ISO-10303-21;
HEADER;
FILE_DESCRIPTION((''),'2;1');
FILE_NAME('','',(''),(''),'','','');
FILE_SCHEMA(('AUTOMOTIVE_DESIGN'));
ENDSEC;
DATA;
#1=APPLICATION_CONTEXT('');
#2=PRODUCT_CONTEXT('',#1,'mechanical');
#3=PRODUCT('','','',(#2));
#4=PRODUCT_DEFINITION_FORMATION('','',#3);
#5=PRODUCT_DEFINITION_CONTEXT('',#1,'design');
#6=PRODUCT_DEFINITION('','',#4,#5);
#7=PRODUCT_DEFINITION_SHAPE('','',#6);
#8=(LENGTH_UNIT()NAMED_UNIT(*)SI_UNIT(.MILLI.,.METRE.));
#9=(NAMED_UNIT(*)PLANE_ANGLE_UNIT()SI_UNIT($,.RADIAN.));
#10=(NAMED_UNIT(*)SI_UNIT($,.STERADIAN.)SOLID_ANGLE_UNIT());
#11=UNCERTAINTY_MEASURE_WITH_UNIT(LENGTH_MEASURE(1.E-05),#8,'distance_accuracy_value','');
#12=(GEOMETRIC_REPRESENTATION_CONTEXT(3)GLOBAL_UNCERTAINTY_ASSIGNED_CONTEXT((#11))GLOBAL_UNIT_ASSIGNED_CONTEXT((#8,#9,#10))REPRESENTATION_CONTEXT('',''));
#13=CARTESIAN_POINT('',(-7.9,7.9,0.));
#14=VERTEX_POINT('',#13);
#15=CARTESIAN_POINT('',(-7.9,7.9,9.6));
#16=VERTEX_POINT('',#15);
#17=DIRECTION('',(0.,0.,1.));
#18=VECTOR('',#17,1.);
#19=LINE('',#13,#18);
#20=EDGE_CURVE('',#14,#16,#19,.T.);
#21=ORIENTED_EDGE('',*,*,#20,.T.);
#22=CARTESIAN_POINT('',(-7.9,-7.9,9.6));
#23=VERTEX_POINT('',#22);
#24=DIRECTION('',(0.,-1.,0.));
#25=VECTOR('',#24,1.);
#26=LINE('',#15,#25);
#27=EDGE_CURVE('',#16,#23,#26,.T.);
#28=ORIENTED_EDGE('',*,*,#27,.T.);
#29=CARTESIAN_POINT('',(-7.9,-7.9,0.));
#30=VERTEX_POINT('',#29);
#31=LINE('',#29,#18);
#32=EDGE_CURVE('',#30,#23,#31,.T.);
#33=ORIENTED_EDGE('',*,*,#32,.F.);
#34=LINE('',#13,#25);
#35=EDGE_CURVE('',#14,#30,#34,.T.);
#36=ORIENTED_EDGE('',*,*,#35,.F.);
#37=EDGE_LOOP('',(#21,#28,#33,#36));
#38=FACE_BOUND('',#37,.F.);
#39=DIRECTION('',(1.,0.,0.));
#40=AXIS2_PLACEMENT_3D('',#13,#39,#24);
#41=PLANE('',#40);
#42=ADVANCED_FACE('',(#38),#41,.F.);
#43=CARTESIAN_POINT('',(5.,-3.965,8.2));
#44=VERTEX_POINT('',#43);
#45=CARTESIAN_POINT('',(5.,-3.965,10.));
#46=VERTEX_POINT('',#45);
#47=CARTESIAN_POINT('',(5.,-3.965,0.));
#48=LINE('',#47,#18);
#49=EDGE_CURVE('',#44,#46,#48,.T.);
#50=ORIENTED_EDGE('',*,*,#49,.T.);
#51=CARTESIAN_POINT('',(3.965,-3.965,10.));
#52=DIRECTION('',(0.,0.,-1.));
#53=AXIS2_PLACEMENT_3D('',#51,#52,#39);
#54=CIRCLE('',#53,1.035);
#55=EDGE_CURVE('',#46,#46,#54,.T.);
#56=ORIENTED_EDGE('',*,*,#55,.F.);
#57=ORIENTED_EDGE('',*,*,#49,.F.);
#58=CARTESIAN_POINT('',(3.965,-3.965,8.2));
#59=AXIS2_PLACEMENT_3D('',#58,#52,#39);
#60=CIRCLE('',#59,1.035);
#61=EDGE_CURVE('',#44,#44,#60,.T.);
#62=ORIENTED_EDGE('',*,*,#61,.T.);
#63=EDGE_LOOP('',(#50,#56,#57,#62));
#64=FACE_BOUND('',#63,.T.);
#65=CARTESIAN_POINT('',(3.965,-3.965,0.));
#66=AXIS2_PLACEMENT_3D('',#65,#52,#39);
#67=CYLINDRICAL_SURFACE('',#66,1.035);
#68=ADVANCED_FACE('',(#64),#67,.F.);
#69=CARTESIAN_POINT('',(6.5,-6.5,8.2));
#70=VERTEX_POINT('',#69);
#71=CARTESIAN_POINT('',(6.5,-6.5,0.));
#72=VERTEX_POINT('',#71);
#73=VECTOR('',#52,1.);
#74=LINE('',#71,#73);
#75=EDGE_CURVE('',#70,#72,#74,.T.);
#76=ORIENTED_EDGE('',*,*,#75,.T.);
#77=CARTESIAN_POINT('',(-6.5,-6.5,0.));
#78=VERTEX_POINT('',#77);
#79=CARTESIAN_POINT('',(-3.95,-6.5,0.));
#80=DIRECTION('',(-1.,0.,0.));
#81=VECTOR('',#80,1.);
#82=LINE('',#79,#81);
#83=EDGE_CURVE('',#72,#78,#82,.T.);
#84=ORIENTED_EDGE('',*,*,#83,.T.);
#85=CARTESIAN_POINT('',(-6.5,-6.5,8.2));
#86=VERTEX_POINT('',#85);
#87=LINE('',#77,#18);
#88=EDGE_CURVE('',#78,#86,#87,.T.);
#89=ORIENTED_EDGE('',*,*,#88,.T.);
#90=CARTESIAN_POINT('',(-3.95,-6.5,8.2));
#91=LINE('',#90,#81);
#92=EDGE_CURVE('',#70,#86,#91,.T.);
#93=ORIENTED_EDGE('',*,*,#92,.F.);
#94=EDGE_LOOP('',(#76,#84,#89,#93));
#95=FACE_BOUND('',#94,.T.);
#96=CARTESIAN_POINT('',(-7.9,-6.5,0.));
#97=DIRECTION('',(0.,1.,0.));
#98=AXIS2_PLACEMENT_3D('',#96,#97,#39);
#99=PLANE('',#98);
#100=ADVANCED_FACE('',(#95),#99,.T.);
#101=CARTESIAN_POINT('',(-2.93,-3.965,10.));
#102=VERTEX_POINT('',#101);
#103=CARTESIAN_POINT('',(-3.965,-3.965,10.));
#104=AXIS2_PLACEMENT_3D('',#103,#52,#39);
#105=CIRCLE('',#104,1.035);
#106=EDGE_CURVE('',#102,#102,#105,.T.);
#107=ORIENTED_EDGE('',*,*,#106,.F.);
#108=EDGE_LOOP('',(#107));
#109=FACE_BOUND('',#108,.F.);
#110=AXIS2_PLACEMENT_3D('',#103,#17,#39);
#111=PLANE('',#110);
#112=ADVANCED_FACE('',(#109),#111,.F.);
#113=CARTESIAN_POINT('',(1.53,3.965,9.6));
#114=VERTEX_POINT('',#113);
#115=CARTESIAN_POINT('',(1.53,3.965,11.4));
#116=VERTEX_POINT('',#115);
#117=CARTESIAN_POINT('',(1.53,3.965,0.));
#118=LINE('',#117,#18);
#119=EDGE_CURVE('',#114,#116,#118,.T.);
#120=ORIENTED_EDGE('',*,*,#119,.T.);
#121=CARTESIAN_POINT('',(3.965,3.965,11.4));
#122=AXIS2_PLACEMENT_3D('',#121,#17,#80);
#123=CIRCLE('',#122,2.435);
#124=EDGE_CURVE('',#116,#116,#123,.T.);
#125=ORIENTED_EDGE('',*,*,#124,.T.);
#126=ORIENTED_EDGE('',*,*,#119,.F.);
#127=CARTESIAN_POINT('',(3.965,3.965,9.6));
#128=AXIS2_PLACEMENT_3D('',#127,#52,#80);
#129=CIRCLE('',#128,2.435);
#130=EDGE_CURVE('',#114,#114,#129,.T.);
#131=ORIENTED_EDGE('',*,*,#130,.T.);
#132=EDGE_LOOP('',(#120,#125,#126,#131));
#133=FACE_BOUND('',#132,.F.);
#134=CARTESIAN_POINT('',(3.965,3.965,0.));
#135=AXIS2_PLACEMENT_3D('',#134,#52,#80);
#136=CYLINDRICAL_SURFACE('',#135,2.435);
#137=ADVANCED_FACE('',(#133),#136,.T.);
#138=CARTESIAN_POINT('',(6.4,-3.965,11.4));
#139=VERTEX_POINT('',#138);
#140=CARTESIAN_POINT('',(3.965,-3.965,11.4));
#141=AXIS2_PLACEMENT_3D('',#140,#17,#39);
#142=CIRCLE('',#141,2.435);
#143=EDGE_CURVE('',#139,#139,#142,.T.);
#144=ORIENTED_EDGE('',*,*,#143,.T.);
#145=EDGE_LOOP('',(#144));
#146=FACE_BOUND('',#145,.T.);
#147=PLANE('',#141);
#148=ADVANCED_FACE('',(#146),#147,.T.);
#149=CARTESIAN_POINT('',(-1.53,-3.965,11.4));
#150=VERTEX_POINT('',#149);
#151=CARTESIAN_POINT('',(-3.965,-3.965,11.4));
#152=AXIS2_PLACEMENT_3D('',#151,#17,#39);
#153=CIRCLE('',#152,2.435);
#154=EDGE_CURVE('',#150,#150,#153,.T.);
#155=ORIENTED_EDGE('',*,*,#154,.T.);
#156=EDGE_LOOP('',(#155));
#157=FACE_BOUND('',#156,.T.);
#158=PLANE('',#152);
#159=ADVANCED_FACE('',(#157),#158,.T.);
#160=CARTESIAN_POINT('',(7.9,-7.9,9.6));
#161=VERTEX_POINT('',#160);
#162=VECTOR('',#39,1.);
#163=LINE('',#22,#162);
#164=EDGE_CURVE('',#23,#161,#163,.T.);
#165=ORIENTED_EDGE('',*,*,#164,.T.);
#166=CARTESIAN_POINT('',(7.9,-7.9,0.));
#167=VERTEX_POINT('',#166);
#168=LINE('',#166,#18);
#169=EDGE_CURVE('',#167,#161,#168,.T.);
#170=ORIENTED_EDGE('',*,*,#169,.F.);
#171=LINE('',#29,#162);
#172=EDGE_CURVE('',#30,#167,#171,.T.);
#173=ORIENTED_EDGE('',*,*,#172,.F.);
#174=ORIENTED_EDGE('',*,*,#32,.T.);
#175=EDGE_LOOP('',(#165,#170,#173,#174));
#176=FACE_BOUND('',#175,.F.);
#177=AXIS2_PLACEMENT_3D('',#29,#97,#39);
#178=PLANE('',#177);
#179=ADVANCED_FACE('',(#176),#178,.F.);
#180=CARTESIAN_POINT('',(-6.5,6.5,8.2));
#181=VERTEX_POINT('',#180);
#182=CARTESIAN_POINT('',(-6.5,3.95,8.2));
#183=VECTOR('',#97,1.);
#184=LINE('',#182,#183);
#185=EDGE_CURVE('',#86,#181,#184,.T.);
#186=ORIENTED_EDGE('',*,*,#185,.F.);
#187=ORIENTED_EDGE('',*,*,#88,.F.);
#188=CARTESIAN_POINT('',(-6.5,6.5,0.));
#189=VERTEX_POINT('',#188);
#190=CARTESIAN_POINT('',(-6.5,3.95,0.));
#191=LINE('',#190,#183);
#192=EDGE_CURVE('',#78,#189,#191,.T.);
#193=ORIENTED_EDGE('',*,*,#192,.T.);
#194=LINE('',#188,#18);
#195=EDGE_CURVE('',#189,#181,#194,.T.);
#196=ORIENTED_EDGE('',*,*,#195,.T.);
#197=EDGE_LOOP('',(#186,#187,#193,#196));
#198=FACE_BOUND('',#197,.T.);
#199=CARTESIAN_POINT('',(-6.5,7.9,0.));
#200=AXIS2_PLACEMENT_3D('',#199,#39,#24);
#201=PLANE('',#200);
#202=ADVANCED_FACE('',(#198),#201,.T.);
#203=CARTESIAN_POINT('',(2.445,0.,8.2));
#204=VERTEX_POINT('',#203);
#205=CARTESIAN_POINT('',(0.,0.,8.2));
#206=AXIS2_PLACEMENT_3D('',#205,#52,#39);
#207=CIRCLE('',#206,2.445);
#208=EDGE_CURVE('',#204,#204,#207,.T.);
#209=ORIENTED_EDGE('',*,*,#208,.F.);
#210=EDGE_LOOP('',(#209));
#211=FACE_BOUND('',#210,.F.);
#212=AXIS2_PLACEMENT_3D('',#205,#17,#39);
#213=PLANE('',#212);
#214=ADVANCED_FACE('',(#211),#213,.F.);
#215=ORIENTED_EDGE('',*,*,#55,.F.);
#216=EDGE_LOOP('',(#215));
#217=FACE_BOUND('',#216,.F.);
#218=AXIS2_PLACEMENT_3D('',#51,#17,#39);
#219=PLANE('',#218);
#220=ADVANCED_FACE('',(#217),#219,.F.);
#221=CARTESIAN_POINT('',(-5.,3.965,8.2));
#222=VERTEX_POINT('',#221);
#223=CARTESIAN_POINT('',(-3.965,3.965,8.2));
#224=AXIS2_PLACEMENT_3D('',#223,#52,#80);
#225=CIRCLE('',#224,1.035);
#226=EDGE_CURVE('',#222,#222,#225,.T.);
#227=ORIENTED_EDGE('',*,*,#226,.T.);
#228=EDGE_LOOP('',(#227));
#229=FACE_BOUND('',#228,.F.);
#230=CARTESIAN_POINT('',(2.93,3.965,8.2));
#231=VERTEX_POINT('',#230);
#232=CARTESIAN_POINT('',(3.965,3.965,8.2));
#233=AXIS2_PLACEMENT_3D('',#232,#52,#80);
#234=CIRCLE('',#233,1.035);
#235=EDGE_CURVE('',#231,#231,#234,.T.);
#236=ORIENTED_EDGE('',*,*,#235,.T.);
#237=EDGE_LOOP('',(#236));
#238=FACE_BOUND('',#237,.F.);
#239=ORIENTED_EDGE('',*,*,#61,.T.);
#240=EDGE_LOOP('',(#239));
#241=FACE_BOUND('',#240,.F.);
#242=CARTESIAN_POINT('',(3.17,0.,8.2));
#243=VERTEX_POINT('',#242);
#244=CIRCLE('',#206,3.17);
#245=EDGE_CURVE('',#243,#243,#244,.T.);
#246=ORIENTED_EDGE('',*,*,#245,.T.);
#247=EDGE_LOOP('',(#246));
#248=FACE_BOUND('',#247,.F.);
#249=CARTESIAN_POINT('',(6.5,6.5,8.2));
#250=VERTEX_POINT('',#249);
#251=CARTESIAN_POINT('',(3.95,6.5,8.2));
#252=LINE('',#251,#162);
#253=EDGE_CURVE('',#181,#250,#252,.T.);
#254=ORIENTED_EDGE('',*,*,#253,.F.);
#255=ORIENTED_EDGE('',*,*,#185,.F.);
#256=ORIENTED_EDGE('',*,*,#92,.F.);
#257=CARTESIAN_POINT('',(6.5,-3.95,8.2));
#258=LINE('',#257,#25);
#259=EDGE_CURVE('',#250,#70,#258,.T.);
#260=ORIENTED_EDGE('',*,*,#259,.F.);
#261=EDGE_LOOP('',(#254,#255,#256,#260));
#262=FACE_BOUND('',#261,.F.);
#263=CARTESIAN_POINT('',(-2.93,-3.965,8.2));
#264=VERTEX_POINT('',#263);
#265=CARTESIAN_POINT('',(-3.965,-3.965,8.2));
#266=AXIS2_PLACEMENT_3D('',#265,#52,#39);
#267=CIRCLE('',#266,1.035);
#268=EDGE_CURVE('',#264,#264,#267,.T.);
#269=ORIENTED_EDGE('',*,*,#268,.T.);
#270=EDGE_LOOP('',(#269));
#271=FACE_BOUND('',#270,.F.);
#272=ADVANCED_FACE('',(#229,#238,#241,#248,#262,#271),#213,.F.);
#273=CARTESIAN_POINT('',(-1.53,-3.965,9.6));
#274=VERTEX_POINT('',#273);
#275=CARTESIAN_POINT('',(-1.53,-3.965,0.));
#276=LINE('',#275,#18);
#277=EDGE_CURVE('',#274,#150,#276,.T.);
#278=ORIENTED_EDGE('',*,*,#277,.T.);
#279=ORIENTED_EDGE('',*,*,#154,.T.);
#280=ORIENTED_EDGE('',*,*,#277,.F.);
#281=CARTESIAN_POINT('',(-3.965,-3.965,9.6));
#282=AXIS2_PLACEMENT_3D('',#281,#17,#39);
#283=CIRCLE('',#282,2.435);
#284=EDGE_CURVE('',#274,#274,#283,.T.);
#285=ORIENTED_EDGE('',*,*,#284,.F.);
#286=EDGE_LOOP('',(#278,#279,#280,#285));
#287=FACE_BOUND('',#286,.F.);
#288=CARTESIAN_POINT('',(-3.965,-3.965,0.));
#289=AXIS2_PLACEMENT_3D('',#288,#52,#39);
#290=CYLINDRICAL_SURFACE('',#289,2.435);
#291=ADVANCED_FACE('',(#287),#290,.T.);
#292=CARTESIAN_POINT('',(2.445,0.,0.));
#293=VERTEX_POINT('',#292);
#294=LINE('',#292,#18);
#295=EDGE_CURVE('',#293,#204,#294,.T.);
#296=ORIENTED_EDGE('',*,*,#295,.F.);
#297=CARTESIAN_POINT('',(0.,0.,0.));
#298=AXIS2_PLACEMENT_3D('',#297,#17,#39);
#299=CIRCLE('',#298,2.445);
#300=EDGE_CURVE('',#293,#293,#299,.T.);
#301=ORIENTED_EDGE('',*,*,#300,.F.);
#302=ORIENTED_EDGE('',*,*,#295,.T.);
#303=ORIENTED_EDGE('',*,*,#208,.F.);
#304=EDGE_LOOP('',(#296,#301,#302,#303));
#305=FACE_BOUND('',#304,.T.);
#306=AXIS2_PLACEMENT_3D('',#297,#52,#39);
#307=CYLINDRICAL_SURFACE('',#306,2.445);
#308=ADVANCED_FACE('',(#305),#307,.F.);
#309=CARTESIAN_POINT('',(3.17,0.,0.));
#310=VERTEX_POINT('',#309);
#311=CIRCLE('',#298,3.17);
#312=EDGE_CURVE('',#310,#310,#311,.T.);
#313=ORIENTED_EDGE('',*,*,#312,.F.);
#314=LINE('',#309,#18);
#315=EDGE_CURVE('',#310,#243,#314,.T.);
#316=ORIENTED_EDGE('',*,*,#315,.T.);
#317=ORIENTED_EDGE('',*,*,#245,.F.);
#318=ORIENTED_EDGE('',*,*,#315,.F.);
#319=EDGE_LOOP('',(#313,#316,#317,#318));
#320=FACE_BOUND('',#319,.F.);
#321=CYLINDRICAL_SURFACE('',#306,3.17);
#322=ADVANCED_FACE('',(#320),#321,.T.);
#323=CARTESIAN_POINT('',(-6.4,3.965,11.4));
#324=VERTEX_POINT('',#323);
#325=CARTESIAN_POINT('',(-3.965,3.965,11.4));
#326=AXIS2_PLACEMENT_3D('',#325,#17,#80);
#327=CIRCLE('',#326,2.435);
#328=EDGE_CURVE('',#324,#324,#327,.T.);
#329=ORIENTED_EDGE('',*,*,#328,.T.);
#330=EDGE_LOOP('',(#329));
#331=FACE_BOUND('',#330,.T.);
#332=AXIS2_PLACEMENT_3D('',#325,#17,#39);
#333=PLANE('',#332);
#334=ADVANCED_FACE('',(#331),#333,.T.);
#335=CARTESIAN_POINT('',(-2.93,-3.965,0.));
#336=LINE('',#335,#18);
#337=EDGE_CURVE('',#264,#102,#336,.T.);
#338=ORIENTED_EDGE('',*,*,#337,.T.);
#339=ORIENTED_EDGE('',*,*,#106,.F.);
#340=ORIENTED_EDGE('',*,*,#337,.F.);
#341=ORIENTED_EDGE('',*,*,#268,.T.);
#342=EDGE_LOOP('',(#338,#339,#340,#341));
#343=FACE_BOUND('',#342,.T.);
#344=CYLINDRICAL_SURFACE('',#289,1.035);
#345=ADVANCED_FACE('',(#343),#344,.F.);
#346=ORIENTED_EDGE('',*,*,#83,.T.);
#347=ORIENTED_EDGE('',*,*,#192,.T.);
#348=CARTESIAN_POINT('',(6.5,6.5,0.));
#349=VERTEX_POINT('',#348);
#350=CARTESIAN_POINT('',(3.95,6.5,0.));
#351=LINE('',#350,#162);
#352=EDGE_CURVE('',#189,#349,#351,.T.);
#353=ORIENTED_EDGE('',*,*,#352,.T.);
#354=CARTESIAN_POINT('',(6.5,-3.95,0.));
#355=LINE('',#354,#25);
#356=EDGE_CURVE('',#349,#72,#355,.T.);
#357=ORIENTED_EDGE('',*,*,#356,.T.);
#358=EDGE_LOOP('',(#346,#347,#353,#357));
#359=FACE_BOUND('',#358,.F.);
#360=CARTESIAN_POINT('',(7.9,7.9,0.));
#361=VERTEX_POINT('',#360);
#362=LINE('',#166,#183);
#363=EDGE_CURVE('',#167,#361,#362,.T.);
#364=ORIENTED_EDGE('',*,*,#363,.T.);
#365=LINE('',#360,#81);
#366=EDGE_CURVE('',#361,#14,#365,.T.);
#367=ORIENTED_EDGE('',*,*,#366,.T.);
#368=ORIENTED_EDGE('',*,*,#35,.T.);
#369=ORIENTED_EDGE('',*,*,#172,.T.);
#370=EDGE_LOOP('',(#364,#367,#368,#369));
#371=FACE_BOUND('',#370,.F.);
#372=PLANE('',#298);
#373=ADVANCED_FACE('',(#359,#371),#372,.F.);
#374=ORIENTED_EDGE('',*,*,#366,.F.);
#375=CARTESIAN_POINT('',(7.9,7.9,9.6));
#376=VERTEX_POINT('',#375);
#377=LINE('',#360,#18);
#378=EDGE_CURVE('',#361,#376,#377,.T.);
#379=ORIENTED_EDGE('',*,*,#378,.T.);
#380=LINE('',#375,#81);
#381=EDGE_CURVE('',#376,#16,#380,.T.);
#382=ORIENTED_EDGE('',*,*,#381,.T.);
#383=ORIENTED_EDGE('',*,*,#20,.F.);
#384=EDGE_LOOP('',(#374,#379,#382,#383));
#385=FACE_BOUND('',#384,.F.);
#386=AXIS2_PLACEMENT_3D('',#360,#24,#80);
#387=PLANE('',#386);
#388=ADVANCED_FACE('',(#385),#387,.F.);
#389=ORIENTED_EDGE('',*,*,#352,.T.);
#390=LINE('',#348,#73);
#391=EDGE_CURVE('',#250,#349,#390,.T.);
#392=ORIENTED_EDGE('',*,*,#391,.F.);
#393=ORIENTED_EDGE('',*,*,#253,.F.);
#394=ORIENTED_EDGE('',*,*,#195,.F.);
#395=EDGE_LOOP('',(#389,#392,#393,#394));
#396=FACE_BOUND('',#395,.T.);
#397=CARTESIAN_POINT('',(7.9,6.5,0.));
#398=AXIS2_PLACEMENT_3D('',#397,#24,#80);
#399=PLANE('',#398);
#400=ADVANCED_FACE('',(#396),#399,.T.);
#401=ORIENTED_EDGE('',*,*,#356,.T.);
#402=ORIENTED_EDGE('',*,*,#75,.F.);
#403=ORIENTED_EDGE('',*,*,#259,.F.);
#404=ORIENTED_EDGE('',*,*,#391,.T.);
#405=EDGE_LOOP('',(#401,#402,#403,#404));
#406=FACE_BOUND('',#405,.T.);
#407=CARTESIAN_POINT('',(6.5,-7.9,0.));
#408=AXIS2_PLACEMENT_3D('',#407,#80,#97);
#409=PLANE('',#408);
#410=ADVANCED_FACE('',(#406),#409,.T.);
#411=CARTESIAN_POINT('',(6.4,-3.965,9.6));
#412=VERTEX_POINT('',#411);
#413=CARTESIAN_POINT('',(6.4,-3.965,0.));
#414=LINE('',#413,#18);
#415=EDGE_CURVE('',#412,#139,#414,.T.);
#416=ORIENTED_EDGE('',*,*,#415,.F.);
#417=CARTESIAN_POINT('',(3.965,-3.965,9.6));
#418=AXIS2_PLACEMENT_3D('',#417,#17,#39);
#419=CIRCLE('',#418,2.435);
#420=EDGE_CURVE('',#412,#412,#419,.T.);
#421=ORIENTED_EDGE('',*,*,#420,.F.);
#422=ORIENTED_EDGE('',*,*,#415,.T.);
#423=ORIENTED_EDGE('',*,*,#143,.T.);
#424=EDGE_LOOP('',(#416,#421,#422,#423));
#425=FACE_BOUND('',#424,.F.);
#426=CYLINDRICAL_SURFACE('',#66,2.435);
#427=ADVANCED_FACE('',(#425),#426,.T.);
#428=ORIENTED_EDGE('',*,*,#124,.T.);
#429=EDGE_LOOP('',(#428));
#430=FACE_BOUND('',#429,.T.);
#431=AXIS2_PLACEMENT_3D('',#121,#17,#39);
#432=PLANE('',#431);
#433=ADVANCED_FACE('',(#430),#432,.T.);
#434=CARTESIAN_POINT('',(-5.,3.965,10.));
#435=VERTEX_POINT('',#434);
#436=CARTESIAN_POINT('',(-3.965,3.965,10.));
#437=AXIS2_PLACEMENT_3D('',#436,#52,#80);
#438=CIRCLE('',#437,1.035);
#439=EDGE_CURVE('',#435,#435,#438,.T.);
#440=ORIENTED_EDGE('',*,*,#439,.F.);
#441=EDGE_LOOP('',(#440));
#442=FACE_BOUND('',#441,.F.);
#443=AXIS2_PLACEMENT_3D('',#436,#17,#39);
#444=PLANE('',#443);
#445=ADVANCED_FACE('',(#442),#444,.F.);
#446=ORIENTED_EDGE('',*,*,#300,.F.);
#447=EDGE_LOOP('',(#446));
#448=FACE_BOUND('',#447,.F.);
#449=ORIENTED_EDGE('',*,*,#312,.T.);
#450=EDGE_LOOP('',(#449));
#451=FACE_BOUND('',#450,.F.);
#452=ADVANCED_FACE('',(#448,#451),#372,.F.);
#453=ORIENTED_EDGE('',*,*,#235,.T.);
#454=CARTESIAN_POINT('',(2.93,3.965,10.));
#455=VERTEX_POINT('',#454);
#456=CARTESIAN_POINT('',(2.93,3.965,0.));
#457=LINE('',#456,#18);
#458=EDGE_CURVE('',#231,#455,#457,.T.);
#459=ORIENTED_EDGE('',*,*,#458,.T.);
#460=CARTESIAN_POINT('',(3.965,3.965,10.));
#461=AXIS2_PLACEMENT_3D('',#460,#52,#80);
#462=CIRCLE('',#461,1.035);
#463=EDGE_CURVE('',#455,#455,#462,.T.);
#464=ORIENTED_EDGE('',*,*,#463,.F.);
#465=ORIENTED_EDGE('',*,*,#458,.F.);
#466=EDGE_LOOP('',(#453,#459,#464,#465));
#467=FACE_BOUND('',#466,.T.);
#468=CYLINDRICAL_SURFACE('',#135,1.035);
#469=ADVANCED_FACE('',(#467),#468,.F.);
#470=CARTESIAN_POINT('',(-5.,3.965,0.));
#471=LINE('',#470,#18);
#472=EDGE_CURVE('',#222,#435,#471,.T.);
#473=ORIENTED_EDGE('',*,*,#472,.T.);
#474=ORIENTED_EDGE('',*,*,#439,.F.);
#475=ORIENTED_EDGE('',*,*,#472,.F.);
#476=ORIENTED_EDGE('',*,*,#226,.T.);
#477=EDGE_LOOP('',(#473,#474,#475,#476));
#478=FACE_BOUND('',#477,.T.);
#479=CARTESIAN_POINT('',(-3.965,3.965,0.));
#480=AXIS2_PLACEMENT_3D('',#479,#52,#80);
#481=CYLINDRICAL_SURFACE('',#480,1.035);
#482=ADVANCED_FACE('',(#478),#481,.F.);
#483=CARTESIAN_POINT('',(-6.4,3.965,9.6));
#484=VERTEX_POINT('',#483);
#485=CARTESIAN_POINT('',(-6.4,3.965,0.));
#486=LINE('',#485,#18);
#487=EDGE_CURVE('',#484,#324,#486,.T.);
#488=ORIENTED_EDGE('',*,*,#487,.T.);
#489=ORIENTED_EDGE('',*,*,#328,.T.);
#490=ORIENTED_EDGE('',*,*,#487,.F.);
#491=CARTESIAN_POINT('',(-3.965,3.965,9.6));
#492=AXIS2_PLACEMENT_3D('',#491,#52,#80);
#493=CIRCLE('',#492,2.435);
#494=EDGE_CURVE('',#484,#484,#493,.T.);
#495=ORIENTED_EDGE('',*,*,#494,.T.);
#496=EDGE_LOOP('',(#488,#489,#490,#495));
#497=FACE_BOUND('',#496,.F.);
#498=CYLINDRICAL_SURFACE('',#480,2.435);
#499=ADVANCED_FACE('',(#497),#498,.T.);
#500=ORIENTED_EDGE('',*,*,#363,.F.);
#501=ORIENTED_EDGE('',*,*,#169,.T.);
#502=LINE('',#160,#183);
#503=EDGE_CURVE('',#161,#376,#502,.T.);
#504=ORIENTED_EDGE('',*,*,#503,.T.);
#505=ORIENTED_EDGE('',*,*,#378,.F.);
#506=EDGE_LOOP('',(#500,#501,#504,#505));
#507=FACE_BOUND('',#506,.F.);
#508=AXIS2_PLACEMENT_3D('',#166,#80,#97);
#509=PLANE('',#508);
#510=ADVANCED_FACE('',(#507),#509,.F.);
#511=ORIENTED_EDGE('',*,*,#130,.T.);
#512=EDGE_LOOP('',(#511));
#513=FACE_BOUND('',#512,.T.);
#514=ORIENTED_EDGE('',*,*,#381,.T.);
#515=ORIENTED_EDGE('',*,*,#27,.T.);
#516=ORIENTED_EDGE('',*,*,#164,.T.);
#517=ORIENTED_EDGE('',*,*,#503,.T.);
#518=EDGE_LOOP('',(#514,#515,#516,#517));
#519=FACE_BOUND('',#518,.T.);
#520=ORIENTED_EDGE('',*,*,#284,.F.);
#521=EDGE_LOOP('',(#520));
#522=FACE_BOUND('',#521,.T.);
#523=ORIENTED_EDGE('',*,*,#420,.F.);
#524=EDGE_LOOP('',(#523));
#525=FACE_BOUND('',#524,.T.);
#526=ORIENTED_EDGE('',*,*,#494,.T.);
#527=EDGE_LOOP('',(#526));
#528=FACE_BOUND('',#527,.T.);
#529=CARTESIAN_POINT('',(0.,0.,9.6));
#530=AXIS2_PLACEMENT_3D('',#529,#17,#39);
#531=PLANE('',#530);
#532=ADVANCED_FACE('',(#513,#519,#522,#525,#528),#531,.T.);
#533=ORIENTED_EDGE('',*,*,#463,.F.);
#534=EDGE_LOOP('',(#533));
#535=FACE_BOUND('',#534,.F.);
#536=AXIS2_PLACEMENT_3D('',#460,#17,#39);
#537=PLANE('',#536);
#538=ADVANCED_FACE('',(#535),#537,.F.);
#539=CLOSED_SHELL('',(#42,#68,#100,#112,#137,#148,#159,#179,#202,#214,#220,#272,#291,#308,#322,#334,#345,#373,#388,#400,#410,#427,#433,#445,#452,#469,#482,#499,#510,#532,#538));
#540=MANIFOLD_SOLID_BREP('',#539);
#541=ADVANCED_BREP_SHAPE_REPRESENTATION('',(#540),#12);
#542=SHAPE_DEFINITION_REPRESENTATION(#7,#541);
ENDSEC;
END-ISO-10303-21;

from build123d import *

# Parameters (mm, degrees)
F0_R     = 2.435
F1_DEPTH = 9.6
F2_DEPTH = 11.4
F3_T     = -1.4
F4_R     = 3.17
F4_R_2   = 2.445
F5_DEPTH = 9.5


with BuildPart() as f1:
    # F0 (on Top) → F1 (new body)
    with BuildSketch(Plane.XY):
        Polygon((7.9, 7.9), (-7.9, 7.9), (-7.9, 3.965), (-7.9, -7.9), (7.9, -7.9), align=None)
        with Locations((-3.965, -3.965)):
            Circle(F0_R, mode=Mode.SUBTRACT)
        with Locations((3.965, -3.965)):
            Circle(F0_R, mode=Mode.SUBTRACT)
        with BuildLine():
            ThreePointArc((-1.53, 3.965), (-3.965, 1.53), (-6.4, 3.965))
            ThreePointArc((-6.4, 3.965), (-3.965, 6.4), (-1.53, 3.965))
        make_face(mode=Mode.SUBTRACT)
        with BuildLine():
            ThreePointArc((6.4, 3.965), (3.965, 1.53), (1.53, 3.965))
            ThreePointArc((1.53, 3.965), (3.965, 6.4), (6.4, 3.965))
        make_face(mode=Mode.SUBTRACT)
    extrude(amount=F1_DEPTH)

    # F0 (on Top) → F2 (join)
    with BuildSketch(Plane.XY):
        with BuildLine():
            ThreePointArc((-1.53, 3.965), (-3.965, 6.4), (-6.4, 3.965))
            ThreePointArc((-6.4, 3.965), (-3.965, 1.53), (-1.53, 3.965))
        make_face()
        with BuildLine():
            ThreePointArc((6.4, 3.965), (3.965, 6.4), (1.53, 3.965))
            ThreePointArc((1.53, 3.965), (3.965, 1.53), (6.4, 3.965))
        make_face()
        with Locations((3.965, -3.965)):
            Circle(F0_R)
        with Locations((-3.965, -3.965)):
            Circle(F0_R)
    extrude(amount=F2_DEPTH)

    # F3
    f3_openings = [f1.faces().sort_by_distance(p)[0] for p in [
        (0, 0, 0),
    ]]
    offset(amount=F3_T, openings=f3_openings, kind=Kind.INTERSECTION)

    # F4 (on face) → F5 (join)
    with BuildSketch(Plane.XY):
        Circle(F4_R)
        Circle(F4_R_2, mode=Mode.SUBTRACT)
    extrude(amount=F5_DEPTH)


solid = f1.part
